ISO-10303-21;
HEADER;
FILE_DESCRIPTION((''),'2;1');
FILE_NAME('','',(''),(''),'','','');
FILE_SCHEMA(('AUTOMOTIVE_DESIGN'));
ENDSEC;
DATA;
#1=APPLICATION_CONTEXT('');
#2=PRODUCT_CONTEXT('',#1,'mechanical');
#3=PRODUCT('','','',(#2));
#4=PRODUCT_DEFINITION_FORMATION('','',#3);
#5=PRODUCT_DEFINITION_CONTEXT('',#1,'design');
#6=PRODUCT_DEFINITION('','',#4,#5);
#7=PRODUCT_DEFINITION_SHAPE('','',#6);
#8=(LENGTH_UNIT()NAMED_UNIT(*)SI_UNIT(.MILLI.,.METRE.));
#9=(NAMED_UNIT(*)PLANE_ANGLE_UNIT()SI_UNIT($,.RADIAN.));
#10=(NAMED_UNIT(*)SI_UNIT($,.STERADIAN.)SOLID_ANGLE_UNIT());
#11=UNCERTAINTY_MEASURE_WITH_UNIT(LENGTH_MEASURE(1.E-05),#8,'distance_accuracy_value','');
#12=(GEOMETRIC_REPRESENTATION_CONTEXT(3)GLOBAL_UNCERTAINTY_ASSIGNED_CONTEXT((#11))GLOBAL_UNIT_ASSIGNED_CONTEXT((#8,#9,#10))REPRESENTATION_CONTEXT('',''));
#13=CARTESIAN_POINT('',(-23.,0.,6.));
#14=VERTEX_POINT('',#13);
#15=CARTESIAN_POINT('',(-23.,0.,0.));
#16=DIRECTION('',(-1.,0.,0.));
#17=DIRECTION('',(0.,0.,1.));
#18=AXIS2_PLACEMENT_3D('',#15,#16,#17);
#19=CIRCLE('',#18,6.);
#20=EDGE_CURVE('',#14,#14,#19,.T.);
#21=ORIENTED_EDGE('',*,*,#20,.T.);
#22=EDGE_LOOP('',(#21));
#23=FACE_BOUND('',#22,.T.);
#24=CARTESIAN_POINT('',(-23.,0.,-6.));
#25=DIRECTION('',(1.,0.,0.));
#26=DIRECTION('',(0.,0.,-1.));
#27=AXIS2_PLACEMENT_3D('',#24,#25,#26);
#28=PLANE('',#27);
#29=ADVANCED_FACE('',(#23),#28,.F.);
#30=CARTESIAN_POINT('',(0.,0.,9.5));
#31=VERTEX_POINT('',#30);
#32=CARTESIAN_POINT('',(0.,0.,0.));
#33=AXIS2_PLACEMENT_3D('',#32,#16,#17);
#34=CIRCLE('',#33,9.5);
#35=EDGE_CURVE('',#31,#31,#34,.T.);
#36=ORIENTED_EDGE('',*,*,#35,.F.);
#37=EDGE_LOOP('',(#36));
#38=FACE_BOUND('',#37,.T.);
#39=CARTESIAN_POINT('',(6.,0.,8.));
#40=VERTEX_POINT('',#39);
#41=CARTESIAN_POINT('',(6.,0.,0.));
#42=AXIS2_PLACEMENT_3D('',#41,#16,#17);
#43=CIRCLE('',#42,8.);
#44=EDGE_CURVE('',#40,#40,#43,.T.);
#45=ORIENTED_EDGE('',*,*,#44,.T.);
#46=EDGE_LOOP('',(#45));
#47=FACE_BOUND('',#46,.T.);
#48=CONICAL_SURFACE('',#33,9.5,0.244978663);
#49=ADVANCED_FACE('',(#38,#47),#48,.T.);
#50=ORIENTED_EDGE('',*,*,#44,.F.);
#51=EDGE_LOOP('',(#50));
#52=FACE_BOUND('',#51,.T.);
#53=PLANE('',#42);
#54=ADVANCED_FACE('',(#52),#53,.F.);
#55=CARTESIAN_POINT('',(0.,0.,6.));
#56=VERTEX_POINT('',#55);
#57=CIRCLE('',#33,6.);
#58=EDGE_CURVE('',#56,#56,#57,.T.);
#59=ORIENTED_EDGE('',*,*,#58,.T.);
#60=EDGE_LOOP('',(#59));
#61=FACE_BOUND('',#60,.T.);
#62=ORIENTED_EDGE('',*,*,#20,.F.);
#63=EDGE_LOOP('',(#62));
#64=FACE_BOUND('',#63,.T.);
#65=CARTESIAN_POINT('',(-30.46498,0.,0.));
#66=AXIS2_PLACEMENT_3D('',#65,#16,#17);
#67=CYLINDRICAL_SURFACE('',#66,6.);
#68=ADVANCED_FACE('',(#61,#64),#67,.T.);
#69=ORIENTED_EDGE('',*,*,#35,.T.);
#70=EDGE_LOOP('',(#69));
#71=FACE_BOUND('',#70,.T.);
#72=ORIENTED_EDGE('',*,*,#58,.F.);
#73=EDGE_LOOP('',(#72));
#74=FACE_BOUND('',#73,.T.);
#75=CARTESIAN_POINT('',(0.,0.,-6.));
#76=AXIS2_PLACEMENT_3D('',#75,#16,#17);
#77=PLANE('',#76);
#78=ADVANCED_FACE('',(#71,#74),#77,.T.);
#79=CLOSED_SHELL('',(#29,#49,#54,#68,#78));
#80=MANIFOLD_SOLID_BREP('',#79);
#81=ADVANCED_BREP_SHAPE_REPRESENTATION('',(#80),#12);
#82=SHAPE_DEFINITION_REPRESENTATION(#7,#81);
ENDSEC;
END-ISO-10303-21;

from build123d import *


with BuildPart() as part:
    # Sketch5 → Revolve2 (revolve)
    with BuildSketch(Plane(origin=(0, 0, 0), x_dir=(1, 0, 0), z_dir=(0, 1, 0)), mode=Mode.PRIVATE) as revolve2_sk:
        Polygon((0, 6), (-23, 6), (-23, 0), (6, 0), (6, 8), (0, 9.5), align=None)
    revolve(revolve2_sk.sketch.rotate(Axis((-30.464980446, 0, 0), (1, 0, 0)), 180), axis=Axis((-30.464980446, 0, 0), (1, 0, 0)))


solid = part.part
